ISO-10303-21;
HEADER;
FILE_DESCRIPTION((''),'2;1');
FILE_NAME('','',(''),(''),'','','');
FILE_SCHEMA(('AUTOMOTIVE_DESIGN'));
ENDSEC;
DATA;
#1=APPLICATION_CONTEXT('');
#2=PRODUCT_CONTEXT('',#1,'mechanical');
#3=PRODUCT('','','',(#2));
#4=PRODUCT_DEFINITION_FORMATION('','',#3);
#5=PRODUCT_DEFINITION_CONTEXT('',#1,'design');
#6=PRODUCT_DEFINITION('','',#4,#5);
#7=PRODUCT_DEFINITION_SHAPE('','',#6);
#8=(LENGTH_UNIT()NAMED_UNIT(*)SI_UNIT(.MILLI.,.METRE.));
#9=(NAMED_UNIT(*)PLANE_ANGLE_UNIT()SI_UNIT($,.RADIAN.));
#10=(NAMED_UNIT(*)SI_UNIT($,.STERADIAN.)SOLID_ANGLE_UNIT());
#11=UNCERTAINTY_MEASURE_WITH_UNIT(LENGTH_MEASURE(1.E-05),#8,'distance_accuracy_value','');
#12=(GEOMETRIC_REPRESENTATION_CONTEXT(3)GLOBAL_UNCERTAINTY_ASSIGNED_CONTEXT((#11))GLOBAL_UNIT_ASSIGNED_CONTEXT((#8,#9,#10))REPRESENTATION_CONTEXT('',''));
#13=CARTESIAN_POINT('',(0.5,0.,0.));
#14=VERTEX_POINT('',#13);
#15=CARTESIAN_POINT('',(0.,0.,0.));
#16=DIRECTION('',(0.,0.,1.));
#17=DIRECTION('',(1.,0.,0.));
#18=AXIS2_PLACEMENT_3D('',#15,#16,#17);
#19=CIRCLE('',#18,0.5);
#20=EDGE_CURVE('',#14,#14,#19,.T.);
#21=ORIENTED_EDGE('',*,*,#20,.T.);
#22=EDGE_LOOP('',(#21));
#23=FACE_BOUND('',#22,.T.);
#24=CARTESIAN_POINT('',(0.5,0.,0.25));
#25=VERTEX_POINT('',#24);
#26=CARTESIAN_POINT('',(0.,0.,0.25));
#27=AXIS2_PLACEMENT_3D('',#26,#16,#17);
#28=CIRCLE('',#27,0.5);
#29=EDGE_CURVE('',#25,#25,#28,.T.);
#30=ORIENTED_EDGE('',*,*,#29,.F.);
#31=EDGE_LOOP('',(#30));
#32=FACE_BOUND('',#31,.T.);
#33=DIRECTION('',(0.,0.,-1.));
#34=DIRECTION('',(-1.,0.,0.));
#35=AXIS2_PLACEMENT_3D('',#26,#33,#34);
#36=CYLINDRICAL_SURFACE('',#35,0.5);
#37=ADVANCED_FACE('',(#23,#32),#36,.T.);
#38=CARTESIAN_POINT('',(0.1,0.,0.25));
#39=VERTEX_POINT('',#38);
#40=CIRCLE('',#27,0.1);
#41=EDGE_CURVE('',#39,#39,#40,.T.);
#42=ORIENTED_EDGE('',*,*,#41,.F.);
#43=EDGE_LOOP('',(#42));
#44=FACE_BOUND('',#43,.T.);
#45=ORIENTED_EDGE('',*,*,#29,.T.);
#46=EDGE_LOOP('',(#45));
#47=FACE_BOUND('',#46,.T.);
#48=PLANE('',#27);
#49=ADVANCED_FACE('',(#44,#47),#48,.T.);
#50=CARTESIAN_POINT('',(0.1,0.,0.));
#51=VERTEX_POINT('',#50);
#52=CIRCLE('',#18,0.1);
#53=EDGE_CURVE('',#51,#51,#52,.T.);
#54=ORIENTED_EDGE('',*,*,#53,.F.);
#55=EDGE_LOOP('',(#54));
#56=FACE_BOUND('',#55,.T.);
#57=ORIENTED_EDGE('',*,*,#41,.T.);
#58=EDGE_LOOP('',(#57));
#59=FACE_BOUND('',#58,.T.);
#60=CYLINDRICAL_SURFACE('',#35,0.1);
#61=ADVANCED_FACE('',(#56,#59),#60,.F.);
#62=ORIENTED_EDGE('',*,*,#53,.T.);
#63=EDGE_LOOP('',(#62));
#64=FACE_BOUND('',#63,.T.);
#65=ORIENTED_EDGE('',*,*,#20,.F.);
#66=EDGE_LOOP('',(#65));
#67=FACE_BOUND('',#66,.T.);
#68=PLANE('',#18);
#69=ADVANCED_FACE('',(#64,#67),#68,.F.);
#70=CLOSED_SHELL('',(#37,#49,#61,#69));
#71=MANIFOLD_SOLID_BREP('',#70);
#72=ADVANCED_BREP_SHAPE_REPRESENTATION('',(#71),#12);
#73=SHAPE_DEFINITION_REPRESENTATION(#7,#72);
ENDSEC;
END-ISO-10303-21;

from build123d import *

# Parameters (mm, degrees)
CROQUIS1_R              = 0.5
CROQUIS1_R_2            = 0.1
SALIENTE_EXTRUIR1_DEPTH = 0.25


with BuildPart() as part:
    # Croquis1 → Saliente-Extruir1 (new body)
    with BuildSketch(Plane.XY):
        Circle(CROQUIS1_R)
        Circle(CROQUIS1_R_2, mode=Mode.SUBTRACT)
    extrude(amount=SALIENTE_EXTRUIR1_DEPTH)


solid = part.part
